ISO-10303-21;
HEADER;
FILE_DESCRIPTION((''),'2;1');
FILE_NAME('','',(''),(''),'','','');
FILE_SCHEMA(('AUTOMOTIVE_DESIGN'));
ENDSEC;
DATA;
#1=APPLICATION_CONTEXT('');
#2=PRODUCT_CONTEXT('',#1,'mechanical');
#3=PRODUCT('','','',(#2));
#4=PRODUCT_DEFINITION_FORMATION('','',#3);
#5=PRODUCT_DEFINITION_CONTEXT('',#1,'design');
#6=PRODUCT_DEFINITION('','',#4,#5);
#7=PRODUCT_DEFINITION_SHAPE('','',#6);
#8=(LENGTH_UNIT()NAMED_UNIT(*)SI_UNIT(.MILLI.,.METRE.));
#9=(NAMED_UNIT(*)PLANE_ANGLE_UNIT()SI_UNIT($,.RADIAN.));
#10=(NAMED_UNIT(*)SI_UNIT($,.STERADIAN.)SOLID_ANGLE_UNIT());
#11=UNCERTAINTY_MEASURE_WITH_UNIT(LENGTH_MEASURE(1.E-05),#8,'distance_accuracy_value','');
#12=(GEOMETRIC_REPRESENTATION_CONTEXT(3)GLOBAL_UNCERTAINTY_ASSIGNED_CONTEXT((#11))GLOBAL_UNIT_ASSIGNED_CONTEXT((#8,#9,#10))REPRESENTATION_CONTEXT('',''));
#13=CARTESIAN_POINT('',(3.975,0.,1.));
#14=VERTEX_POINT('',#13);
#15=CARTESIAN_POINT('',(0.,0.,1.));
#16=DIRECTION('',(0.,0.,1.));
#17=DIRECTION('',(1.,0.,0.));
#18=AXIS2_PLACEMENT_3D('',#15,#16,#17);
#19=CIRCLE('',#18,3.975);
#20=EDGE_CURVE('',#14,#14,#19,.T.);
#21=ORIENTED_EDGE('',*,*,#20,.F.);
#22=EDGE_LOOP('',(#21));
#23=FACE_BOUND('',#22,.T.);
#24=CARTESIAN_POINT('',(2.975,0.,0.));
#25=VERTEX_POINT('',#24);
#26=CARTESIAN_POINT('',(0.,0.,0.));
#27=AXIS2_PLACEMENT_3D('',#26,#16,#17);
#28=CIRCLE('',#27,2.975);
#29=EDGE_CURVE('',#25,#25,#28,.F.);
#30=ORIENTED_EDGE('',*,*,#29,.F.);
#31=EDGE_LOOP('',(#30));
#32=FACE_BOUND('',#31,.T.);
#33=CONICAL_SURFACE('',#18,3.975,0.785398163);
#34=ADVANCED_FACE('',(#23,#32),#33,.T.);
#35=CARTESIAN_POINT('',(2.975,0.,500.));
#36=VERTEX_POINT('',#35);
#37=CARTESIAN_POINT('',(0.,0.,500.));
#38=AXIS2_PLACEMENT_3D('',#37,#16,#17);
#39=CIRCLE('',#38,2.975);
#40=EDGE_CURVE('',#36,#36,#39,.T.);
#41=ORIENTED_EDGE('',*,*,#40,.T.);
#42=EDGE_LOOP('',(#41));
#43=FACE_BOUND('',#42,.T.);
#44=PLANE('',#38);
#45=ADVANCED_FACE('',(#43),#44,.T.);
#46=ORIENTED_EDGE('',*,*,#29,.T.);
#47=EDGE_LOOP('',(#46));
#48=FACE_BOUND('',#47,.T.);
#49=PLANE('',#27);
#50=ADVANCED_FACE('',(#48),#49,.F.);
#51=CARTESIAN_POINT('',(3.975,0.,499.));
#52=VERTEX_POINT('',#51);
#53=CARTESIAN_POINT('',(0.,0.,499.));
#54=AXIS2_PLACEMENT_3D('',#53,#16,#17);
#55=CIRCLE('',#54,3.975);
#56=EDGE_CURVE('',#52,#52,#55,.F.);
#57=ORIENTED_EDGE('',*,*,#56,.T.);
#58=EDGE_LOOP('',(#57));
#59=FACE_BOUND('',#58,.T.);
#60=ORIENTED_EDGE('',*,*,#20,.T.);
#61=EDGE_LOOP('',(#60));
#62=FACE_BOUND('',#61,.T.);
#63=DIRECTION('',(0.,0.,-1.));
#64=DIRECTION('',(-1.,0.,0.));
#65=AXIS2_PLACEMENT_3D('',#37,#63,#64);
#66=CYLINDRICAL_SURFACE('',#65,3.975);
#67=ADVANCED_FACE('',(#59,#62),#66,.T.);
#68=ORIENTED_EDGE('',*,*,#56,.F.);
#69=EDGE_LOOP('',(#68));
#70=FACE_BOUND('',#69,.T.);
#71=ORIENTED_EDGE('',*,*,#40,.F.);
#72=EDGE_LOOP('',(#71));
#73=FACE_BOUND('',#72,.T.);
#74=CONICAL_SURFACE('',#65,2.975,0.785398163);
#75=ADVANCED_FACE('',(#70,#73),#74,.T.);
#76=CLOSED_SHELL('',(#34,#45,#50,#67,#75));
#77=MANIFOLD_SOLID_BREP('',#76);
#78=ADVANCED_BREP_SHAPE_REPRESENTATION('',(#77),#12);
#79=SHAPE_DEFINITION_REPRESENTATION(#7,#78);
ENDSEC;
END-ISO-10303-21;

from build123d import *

# Parameters (mm, degrees)
SKETCH1_R           = 3.975
BOSS_EXTRUDE1_DEPTH = 500
CHAMFER1_SIZE       = 1


with BuildPart() as part:
    # Sketch1 → Boss-Extrude1 (new body)
    with BuildSketch(Plane.XY):
        Circle(SKETCH1_R)
    extrude(amount=BOSS_EXTRUDE1_DEPTH)

    # Chamfer1
    chamfer1_edges = [part.edges().sort_by_distance(p)[0] for p in [
        (-3.975, 0, 0),
        (-3.975, 0, 500),
    ]]
    chamfer(chamfer1_edges, length=CHAMFER1_SIZE)


solid = part.part
